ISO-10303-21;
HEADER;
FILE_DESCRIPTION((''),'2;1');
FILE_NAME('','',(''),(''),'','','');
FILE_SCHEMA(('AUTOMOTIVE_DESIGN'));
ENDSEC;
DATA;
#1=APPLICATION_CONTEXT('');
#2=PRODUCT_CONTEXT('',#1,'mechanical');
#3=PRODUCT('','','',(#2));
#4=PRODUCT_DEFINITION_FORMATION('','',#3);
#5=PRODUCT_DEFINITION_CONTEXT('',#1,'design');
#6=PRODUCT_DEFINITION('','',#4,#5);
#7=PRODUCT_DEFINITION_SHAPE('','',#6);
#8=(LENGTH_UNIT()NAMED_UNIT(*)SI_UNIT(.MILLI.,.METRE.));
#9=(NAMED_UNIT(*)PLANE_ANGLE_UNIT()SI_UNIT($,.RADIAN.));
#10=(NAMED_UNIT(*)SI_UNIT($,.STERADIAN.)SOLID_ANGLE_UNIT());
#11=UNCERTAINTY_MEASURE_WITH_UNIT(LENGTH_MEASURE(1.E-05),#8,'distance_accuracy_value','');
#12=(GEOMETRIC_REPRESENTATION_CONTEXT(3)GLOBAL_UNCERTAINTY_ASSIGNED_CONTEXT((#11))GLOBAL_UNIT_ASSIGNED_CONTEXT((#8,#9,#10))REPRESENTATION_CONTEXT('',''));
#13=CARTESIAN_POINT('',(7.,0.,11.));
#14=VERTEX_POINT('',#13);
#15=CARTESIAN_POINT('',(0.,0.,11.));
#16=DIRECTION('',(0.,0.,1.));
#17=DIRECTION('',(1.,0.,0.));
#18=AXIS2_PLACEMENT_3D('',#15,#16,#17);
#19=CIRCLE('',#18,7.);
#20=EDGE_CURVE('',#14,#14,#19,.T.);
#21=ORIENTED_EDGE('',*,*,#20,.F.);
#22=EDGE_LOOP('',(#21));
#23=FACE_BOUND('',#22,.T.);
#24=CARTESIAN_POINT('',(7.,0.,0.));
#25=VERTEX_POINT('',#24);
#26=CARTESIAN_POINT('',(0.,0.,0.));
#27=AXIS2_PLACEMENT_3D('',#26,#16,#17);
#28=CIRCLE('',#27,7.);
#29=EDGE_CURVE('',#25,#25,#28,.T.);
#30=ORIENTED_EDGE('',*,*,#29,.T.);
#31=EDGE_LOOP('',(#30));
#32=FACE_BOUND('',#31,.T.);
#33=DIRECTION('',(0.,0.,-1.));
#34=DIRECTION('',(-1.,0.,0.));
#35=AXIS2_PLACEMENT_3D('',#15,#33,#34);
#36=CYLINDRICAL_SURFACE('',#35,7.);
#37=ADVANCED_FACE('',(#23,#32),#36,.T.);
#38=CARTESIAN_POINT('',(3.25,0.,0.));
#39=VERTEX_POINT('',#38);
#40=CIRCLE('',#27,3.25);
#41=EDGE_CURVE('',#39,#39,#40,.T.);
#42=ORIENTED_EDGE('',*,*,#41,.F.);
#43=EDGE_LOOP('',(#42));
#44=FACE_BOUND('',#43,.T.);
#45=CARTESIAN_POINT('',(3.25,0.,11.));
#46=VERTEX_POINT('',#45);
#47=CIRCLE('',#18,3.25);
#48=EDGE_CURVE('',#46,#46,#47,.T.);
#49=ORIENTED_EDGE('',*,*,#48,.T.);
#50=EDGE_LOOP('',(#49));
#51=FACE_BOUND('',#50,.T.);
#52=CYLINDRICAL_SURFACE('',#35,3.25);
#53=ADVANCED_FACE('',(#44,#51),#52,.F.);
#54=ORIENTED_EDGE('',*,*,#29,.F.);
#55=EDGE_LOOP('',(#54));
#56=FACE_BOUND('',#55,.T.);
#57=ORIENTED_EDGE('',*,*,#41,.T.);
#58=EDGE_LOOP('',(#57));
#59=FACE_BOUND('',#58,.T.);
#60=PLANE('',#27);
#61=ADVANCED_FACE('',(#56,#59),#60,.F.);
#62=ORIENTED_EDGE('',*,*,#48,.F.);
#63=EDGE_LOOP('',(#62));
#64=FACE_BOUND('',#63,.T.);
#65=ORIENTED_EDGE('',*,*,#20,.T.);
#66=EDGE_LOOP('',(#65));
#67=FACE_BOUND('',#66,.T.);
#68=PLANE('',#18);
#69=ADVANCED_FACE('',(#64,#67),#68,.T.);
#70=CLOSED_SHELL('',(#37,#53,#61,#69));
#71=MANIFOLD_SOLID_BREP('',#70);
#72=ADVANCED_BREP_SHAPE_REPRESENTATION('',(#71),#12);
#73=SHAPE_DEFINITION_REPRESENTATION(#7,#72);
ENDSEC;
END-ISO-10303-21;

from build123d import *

# Parameters (mm, degrees)
ESQUISSE1_R        = 7
ESQUISSE1_R_2      = 3.25
BOSS_EXTRU_1_DEPTH = 11


with BuildPart() as part:
    # Esquisse1 → Boss.-Extru.1 (new body)
    with BuildSketch(Plane.XY):
        Circle(ESQUISSE1_R)
        Circle(ESQUISSE1_R_2, mode=Mode.SUBTRACT)
    extrude(amount=BOSS_EXTRU_1_DEPTH)


solid = part.part
